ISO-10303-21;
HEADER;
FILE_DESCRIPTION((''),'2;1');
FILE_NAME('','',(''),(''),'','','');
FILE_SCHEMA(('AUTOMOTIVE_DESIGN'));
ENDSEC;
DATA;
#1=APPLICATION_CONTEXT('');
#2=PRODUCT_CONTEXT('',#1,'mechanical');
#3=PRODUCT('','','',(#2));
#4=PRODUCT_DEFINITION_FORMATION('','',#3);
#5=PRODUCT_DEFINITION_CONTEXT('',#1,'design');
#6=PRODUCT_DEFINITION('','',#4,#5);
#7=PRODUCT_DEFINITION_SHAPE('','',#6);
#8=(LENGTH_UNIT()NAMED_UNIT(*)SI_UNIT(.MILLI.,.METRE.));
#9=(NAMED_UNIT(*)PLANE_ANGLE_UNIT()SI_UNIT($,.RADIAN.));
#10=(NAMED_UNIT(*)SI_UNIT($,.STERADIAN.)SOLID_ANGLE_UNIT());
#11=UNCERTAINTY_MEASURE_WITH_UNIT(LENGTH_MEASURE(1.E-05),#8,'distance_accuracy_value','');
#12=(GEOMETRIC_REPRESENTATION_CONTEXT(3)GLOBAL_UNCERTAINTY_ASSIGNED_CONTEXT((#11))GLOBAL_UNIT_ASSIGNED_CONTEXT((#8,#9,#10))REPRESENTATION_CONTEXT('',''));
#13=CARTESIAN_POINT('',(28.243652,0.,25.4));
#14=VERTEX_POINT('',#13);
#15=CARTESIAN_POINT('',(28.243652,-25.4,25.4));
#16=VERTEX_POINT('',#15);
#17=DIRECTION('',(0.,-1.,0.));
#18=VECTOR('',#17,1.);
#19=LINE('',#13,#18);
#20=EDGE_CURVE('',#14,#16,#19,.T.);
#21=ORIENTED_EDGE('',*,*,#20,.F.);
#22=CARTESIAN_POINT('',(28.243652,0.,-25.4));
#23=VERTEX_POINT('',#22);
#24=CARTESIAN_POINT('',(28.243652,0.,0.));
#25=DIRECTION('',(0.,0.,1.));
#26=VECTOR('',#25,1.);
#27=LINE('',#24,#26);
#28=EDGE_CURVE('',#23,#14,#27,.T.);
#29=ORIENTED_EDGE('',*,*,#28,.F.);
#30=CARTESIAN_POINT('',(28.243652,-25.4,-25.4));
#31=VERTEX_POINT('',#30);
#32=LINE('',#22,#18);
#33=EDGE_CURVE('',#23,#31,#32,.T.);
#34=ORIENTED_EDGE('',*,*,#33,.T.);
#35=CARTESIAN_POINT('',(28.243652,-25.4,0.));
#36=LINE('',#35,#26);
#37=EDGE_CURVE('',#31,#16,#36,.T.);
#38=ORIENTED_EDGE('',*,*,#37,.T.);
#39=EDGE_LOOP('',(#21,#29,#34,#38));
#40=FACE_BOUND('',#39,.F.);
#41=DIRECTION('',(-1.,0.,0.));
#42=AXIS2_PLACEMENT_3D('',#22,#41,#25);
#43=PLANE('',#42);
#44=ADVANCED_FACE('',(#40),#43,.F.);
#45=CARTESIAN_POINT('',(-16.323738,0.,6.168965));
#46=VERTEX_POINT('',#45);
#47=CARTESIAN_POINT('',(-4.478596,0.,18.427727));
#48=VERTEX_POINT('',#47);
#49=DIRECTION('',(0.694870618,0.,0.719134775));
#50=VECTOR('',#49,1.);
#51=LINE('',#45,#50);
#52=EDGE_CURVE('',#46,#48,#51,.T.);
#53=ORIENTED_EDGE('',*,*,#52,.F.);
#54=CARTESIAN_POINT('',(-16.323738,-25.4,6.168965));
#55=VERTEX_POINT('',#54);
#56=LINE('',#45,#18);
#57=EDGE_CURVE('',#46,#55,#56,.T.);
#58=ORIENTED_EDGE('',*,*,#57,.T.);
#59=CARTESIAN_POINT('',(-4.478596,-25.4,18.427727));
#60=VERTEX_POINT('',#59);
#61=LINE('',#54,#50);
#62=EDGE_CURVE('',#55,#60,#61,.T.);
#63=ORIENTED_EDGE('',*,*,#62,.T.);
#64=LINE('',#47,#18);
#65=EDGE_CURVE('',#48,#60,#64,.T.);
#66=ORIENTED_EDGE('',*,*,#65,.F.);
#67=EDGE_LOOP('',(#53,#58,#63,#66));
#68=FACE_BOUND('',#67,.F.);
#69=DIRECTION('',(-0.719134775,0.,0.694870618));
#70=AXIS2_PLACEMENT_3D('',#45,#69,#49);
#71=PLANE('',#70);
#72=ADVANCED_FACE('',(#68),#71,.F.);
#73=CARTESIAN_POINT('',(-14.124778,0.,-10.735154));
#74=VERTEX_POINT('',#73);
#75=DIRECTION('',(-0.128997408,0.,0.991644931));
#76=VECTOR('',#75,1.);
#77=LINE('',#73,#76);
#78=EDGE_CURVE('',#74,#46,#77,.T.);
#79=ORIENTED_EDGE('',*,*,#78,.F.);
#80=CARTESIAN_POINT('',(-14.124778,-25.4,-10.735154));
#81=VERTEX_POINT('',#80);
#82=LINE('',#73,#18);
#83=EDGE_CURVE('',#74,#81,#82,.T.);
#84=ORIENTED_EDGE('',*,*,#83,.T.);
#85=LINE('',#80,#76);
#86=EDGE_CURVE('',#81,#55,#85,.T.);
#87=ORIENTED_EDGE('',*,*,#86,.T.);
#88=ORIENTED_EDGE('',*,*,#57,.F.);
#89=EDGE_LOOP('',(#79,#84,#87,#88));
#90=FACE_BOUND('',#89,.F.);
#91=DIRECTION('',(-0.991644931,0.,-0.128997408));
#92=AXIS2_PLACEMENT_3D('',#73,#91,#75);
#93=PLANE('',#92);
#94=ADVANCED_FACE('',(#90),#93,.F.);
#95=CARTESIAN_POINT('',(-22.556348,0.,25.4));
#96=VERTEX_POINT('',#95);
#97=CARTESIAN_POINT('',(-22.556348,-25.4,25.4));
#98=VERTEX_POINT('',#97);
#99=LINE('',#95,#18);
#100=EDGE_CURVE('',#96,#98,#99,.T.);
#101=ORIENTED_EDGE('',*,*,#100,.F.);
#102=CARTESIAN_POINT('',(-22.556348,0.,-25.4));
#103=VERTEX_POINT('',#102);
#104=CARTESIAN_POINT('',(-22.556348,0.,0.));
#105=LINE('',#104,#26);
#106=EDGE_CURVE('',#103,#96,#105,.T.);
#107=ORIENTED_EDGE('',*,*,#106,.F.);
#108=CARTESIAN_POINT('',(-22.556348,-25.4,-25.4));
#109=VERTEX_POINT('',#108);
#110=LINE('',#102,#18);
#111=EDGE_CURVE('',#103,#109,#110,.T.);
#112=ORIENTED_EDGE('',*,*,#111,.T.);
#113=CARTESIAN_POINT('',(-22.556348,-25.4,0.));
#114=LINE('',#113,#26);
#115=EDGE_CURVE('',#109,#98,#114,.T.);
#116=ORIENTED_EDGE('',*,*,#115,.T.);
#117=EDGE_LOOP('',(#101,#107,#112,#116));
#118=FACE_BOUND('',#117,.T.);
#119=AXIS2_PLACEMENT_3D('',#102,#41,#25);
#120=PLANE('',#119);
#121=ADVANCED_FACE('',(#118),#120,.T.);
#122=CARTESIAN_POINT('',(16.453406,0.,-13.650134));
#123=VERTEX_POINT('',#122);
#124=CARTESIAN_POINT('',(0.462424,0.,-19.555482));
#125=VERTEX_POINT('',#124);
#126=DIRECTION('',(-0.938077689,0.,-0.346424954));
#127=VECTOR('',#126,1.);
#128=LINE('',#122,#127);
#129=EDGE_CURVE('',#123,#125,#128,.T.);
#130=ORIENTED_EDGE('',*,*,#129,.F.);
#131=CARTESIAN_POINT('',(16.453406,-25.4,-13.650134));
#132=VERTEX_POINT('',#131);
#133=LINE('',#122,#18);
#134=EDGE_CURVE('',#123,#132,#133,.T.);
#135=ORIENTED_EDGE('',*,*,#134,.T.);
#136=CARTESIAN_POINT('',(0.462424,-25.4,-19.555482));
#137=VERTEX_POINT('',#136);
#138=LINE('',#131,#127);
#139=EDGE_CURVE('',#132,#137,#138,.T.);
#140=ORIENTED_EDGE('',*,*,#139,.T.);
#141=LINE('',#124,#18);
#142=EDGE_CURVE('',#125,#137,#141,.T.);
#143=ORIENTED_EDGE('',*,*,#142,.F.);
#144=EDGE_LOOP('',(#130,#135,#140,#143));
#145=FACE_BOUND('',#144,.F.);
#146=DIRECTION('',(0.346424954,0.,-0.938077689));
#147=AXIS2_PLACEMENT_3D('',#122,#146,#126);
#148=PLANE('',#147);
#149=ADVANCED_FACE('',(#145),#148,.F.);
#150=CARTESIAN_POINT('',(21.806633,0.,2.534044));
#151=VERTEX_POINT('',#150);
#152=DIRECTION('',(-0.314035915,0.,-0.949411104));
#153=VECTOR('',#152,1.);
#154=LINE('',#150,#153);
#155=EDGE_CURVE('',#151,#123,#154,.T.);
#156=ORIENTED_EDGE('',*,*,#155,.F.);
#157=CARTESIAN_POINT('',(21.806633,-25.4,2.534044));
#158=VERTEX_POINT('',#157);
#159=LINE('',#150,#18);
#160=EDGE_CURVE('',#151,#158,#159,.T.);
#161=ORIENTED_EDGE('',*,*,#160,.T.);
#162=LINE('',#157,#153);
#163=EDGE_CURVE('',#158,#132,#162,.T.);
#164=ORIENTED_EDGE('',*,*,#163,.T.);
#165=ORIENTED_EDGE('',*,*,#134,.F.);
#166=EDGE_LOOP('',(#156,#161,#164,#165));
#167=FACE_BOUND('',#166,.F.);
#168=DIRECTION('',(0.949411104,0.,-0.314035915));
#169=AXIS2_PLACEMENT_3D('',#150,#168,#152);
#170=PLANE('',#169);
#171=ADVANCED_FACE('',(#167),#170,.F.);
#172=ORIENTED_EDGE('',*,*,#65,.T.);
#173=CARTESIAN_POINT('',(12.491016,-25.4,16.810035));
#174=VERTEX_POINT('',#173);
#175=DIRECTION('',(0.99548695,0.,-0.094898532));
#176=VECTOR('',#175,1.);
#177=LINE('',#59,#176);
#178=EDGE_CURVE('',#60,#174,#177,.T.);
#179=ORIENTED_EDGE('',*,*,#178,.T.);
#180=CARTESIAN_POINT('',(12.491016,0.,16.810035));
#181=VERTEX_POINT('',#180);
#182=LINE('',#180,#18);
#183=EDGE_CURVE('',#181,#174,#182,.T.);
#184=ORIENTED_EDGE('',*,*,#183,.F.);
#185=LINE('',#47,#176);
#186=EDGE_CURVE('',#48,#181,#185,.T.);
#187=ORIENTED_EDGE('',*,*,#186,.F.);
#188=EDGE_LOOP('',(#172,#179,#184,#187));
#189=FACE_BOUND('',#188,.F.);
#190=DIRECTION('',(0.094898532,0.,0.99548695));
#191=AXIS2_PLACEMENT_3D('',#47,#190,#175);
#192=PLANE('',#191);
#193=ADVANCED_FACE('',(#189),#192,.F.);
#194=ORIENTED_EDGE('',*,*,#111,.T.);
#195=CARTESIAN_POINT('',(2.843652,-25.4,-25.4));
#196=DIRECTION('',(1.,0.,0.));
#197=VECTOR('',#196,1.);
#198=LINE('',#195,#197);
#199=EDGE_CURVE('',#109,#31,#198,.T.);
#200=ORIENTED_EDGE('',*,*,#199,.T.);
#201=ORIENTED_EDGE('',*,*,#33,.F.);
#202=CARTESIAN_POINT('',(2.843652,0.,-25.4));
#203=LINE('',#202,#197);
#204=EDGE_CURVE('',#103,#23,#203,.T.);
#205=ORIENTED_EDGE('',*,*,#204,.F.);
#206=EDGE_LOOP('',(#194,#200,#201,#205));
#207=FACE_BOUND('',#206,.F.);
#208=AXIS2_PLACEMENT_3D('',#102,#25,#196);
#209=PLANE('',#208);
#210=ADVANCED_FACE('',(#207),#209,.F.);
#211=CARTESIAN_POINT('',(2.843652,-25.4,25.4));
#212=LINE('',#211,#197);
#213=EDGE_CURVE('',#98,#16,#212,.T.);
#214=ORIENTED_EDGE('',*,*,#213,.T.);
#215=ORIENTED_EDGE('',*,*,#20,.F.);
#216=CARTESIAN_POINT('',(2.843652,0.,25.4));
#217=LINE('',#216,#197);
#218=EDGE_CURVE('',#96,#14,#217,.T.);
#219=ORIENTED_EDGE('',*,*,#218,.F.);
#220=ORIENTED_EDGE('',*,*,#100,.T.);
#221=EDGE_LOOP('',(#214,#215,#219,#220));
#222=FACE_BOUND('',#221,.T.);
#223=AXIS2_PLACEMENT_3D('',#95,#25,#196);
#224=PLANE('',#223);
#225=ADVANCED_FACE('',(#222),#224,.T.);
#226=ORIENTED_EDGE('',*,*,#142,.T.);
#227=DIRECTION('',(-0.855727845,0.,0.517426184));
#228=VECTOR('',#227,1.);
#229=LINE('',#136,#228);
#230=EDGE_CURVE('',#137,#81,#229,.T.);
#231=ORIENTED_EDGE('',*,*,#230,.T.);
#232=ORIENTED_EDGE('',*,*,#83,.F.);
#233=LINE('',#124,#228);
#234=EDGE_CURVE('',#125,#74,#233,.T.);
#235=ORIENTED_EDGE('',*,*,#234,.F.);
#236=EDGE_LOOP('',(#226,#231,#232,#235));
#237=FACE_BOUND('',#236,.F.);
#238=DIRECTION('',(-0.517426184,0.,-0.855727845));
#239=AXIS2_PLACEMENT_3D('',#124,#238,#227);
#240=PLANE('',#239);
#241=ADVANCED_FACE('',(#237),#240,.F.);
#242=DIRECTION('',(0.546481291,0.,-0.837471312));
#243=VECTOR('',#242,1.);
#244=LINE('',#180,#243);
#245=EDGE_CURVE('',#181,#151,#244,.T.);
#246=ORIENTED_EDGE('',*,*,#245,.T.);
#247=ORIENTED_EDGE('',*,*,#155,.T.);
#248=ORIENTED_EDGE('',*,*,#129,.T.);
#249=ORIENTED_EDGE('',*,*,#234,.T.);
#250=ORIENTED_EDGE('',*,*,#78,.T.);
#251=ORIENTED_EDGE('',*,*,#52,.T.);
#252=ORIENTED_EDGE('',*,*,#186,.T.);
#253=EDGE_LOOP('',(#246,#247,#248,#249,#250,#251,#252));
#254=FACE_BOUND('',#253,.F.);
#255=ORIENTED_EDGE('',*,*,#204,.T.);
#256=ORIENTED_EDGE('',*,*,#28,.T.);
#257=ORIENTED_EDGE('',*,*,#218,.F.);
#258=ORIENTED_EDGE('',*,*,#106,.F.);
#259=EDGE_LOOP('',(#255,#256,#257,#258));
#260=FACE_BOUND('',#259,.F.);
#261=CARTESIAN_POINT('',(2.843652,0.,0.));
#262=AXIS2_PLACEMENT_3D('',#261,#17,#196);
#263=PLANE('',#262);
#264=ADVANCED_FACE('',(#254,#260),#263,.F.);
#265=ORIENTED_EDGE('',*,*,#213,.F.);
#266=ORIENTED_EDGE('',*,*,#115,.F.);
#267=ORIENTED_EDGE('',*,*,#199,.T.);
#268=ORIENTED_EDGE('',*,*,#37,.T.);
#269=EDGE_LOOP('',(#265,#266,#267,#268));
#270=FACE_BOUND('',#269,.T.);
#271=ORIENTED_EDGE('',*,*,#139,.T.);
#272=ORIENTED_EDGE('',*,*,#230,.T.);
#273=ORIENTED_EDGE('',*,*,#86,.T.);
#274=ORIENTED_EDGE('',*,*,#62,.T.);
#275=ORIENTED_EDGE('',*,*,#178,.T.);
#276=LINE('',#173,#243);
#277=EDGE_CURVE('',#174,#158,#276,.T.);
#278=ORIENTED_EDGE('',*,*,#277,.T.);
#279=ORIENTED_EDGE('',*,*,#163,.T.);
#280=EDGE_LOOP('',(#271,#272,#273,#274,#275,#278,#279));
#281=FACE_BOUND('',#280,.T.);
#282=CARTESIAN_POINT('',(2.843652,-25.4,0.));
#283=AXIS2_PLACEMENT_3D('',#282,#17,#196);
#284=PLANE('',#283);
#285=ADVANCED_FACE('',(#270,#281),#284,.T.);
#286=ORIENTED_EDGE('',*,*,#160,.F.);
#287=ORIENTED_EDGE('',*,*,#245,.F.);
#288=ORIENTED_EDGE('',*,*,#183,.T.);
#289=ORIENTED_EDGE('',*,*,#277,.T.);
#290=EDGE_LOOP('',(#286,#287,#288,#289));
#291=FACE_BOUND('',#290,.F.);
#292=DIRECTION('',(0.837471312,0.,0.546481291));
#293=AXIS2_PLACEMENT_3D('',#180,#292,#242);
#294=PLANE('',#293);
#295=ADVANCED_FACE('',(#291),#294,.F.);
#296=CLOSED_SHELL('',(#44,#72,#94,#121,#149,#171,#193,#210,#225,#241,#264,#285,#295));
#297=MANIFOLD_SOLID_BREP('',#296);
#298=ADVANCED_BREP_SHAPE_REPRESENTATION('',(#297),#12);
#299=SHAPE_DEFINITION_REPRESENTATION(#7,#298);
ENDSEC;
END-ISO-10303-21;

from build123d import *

# Parameters (mm, degrees)
F0_W     = 50.8
F0_H     = 50.8
F0_R     = 22.86
F1_DEPTH = 25.4


with BuildPart() as f1:
    # F0 (on Front) → F1 (new body)
    with BuildSketch(Plane.XZ):
        with Locations((2.843652, 0)):
            Rectangle(F0_W, F0_H)
        with Locations((2.326624, 0)):
            Circle(F0_R, mode=Mode.SUBTRACT)
        with Locations((2.326624, 0)):
            Circle(F0_R)
        Polygon((12.491016, 16.810035), (21.806633, 2.534044), (16.453406, -13.650134), (0.462424, -19.555482), (-14.124778, -10.735154), (-16.323738, 6.168965), (-4.478596, 18.427727), align=None, mode=Mode.SUBTRACT)
    extrude(amount=F1_DEPTH)


solid = f1.part
